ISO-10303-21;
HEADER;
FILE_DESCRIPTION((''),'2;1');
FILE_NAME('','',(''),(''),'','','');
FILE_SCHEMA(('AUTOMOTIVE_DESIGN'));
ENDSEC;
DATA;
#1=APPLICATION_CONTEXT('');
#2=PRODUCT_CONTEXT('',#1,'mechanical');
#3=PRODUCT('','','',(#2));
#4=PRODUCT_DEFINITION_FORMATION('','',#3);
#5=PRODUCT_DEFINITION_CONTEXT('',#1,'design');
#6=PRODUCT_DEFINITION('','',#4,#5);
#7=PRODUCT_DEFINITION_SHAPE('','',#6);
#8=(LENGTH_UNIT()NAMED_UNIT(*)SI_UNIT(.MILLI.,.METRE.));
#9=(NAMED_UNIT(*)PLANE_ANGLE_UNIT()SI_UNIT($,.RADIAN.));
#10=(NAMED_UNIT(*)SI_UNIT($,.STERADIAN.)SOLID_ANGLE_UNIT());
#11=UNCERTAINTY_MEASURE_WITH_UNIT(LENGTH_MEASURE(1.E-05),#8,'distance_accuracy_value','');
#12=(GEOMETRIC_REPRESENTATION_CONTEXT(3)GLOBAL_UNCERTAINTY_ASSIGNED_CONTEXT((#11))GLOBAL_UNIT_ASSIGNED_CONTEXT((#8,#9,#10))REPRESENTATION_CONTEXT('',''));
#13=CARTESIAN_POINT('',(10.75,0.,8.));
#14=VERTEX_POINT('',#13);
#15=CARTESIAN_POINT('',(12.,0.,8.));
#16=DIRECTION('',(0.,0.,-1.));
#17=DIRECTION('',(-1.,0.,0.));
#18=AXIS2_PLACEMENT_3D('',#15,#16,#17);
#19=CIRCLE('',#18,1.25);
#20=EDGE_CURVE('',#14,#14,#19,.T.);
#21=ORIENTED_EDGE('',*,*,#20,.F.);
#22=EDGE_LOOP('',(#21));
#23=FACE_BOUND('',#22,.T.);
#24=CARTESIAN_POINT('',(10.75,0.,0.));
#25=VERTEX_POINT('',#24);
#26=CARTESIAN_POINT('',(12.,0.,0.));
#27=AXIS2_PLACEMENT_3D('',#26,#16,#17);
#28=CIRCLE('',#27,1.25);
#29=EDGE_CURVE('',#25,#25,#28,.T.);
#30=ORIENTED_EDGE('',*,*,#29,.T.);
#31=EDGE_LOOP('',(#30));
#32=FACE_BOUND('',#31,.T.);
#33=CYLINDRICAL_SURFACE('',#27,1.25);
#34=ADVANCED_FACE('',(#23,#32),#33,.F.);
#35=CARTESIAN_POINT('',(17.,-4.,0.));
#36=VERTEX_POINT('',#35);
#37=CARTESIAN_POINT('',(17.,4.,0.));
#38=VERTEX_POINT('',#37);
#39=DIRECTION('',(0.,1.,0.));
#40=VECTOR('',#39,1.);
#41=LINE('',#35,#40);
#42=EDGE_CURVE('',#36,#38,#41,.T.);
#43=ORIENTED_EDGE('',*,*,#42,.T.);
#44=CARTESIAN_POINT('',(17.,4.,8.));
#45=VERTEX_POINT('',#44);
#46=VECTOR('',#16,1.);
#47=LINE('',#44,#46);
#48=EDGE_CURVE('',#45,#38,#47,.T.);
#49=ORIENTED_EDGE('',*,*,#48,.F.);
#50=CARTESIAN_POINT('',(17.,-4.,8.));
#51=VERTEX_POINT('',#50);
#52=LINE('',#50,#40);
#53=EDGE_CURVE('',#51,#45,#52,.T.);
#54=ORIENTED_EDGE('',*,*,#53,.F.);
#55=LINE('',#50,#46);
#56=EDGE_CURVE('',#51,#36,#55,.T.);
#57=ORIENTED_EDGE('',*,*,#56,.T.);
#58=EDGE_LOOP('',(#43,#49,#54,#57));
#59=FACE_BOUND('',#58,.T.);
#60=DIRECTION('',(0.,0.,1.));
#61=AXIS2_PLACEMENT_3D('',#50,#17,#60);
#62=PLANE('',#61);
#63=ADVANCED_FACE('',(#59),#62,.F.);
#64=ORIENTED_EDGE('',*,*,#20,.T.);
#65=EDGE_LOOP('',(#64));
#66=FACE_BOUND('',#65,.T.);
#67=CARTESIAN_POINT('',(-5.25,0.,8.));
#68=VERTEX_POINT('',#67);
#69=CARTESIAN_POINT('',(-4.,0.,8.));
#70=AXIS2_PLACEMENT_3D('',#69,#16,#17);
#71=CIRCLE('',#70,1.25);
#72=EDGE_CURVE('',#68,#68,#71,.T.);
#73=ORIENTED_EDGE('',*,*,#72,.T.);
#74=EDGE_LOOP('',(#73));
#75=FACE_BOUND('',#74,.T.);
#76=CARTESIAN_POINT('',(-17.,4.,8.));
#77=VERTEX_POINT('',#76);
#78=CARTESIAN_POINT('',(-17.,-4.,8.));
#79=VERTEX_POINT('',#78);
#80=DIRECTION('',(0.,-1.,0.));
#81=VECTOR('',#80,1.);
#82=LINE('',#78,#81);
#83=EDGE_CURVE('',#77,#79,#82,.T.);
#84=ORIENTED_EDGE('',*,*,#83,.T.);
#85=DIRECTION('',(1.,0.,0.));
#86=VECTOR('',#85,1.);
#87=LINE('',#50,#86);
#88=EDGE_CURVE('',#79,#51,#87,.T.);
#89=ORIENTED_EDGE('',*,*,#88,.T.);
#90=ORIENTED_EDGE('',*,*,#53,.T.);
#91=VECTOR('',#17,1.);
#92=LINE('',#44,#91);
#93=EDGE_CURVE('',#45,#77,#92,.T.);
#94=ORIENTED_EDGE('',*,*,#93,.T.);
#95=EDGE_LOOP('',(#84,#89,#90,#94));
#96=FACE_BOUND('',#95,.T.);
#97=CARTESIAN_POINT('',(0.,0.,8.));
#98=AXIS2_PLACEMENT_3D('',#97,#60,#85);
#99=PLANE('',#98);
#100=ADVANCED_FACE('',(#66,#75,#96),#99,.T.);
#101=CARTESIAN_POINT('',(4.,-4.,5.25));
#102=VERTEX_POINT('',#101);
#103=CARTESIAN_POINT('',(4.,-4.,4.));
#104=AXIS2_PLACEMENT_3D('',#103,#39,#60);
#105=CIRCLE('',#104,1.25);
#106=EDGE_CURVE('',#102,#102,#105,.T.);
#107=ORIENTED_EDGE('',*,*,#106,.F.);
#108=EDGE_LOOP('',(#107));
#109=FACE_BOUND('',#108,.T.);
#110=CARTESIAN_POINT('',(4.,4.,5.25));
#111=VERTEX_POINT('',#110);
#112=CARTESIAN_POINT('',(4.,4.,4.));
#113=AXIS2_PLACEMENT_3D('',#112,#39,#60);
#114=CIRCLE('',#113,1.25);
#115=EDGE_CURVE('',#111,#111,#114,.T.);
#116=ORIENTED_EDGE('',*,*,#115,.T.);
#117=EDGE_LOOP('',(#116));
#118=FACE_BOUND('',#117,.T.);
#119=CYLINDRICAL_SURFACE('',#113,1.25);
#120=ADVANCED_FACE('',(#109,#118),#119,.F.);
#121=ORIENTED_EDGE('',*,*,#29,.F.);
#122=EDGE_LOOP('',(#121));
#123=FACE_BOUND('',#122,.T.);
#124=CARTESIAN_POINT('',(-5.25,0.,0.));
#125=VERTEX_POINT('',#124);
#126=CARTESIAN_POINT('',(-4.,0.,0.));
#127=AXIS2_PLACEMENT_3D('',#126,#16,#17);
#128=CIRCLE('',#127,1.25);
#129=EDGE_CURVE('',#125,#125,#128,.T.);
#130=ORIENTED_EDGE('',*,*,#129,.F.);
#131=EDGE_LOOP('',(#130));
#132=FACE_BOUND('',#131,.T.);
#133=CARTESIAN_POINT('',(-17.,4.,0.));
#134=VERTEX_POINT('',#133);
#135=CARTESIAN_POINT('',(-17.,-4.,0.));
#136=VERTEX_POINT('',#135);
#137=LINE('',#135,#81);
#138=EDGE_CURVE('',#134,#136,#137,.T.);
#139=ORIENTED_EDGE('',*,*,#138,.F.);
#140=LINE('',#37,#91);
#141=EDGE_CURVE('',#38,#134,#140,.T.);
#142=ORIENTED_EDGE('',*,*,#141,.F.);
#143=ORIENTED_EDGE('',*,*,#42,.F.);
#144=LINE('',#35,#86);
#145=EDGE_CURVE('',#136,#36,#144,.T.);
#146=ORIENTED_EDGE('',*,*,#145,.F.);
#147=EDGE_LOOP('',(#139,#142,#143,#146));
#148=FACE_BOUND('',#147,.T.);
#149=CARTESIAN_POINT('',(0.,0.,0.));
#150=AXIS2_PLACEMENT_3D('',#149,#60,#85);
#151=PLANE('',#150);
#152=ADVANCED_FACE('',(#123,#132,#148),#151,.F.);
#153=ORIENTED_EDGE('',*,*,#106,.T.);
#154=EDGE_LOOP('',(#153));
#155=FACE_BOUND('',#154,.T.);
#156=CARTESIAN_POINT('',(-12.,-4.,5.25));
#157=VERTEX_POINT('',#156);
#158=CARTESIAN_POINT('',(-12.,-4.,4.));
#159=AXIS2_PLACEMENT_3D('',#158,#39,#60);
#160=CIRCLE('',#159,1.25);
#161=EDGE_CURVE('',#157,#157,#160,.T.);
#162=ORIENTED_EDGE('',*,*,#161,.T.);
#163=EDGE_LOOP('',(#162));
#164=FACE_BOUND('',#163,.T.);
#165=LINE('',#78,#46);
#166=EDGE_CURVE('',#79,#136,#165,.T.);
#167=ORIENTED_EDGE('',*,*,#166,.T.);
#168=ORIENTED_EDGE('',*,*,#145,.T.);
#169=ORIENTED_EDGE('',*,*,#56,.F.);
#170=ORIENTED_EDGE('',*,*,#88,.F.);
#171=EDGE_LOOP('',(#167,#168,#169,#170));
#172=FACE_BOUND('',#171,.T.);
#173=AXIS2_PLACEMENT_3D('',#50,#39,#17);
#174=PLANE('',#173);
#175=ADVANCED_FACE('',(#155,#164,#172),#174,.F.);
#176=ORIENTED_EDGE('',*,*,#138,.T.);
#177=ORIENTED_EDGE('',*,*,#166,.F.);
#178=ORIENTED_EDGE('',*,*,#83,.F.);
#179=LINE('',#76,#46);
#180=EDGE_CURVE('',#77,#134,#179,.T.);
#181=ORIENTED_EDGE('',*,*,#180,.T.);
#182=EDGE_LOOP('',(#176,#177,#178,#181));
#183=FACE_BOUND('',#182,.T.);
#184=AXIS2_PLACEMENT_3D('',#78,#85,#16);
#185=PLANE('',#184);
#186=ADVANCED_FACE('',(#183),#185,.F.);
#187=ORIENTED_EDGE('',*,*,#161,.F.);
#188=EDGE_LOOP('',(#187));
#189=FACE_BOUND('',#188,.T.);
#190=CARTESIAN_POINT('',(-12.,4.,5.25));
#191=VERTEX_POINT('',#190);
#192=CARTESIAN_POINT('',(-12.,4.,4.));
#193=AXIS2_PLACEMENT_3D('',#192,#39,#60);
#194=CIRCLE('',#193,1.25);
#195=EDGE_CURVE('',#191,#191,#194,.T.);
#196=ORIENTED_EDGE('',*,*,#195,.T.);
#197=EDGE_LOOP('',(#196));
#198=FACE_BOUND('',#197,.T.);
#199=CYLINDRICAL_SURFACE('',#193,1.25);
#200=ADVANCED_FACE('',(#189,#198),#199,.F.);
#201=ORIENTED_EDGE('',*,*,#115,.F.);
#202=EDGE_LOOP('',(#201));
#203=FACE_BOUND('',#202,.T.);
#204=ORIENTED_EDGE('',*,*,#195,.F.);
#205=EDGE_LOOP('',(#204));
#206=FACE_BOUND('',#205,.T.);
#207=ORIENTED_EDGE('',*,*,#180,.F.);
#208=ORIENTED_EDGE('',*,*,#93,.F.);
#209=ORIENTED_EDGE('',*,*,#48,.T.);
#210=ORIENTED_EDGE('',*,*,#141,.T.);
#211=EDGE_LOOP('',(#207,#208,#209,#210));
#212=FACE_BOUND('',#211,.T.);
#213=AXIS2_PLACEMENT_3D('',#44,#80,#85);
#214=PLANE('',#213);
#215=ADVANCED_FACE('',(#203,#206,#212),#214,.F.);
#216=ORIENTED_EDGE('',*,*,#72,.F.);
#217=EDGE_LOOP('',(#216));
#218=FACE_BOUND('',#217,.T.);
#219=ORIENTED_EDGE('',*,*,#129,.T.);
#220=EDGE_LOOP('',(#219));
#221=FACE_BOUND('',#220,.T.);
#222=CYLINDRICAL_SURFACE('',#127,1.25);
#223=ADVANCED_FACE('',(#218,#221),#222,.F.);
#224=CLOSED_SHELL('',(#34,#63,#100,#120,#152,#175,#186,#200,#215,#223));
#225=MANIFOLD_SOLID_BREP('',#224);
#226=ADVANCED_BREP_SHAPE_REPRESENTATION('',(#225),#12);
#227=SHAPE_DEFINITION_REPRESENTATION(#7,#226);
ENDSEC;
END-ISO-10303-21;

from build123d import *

# Parameters (mm, degrees)
SKETCH_1_W                   = 34
SKETCH_1_H                   = 8
EXTRUDE_1_DEPTH              = 8
HOLE_WIZARD_M3_1_D           = 2.5
HOLE_WIZARD_M3_1_ON_FACE_2_D = 2.5


with BuildPart() as part:
    # 草图1 → 凸台-拉伸1 (new body)
    with BuildSketch(Plane.XY):
        Rectangle(SKETCH_1_W, SKETCH_1_H)
    extrude(amount=EXTRUDE_1_DEPTH)

    # M3 螺纹孔的螺纹孔钻头1 (through all)
    with Locations(Plane(origin=(4, 4, 4), x_dir=(1, 0, 0), z_dir=(0, 1, 0))):
        with Locations((0, 0), (-16, 0)):
            Hole(HOLE_WIZARD_M3_1_D / 2)

    # M3 螺纹孔的螺纹孔钻头1 on face 2 (through all)
    with Locations(Plane(origin=(-4, 0, 0), x_dir=(-1, 0, 0), z_dir=(0, 0, -1))):
        with Locations((0, 0), (-16, 0)):
            Hole(HOLE_WIZARD_M3_1_ON_FACE_2_D / 2)


solid = part.part
